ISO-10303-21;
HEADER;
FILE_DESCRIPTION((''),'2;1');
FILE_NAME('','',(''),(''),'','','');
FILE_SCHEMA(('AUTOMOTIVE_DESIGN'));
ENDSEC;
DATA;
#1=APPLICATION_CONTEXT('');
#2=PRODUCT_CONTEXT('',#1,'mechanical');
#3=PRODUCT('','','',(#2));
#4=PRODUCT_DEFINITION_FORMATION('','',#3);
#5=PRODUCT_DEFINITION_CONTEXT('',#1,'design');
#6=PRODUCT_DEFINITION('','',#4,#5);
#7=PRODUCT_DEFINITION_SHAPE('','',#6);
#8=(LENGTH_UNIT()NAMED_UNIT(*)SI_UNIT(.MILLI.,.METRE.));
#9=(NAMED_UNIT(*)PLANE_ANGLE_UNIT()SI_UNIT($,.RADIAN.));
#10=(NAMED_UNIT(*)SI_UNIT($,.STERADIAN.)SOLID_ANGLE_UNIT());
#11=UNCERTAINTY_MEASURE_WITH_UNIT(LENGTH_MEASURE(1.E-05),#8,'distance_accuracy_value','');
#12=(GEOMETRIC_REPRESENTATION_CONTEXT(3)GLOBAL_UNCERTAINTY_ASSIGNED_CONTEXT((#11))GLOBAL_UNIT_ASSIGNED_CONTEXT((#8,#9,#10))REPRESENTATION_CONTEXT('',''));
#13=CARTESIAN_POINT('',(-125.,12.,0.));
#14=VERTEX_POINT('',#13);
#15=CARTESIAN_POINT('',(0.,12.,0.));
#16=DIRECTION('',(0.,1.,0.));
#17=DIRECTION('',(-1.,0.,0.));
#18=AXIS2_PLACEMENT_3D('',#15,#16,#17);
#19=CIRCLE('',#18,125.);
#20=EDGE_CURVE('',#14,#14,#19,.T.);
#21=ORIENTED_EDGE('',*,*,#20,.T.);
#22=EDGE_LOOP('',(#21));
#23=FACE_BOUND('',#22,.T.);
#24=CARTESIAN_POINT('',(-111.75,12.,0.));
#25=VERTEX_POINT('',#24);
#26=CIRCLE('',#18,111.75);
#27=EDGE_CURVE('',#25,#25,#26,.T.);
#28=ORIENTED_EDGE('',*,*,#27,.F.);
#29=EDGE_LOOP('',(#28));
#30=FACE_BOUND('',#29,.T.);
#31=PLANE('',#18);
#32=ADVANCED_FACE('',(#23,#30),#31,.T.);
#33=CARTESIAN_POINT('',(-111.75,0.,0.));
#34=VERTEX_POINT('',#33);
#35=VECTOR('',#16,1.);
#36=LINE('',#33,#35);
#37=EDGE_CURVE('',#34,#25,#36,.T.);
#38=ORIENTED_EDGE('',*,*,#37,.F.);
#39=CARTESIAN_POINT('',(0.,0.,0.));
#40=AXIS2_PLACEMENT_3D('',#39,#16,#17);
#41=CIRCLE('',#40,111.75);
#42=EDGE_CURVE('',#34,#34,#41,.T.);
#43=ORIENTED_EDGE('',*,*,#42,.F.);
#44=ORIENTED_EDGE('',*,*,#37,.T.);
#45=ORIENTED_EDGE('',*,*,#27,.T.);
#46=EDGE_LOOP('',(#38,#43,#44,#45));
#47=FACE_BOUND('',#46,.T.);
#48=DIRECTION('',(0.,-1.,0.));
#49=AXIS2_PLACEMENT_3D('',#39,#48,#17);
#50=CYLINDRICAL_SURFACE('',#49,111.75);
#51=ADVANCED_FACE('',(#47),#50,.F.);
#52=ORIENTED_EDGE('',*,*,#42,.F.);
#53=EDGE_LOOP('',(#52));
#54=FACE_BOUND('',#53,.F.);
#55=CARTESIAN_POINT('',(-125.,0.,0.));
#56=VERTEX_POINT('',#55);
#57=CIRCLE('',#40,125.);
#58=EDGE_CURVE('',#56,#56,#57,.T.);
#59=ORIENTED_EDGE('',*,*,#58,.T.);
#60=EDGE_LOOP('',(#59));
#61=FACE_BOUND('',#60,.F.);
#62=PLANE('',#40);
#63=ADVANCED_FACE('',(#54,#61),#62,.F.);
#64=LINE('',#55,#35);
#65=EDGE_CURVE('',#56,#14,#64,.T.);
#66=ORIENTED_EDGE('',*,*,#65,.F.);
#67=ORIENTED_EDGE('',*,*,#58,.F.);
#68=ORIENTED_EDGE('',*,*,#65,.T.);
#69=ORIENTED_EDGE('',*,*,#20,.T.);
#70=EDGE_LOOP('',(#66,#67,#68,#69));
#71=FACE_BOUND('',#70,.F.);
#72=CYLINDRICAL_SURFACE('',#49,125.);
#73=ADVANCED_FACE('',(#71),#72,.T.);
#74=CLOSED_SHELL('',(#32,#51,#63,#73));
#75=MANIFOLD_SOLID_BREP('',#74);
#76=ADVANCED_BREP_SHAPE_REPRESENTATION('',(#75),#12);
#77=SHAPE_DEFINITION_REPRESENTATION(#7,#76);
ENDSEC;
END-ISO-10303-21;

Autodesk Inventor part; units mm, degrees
ref_plane "YZ Plane" through (0, 0, 0) normal (1, 0, 0) x (0, 1, 0)
ref_plane "XZ Plane" through (0, 0, 0) normal (0, 1, 0) x (-1, 0, 0)
ref_plane "XY Plane" through (0, 0, 0) normal (0, 0, 1) x (1, 0, 0)
sketch "Sketch1" plane through (0, 0, 0) normal (0, 1, 0) x (-1, 0, 0)
  point P0 (0, 0)
sketch "Sketch2" plane through (0, 0, 0) normal (0, 1, 0) x (-1, 0, 0)
  circle A0 centre (0, 0) radius 125
  circle A1 centre (0, 0) radius 111.75
  dimension "d0" = 250
  dimension "d1" = 223.5
extrude "Extrusion1" add sketch "Sketch2" along normal blind 12
properties part number "BearingGearMK1"
